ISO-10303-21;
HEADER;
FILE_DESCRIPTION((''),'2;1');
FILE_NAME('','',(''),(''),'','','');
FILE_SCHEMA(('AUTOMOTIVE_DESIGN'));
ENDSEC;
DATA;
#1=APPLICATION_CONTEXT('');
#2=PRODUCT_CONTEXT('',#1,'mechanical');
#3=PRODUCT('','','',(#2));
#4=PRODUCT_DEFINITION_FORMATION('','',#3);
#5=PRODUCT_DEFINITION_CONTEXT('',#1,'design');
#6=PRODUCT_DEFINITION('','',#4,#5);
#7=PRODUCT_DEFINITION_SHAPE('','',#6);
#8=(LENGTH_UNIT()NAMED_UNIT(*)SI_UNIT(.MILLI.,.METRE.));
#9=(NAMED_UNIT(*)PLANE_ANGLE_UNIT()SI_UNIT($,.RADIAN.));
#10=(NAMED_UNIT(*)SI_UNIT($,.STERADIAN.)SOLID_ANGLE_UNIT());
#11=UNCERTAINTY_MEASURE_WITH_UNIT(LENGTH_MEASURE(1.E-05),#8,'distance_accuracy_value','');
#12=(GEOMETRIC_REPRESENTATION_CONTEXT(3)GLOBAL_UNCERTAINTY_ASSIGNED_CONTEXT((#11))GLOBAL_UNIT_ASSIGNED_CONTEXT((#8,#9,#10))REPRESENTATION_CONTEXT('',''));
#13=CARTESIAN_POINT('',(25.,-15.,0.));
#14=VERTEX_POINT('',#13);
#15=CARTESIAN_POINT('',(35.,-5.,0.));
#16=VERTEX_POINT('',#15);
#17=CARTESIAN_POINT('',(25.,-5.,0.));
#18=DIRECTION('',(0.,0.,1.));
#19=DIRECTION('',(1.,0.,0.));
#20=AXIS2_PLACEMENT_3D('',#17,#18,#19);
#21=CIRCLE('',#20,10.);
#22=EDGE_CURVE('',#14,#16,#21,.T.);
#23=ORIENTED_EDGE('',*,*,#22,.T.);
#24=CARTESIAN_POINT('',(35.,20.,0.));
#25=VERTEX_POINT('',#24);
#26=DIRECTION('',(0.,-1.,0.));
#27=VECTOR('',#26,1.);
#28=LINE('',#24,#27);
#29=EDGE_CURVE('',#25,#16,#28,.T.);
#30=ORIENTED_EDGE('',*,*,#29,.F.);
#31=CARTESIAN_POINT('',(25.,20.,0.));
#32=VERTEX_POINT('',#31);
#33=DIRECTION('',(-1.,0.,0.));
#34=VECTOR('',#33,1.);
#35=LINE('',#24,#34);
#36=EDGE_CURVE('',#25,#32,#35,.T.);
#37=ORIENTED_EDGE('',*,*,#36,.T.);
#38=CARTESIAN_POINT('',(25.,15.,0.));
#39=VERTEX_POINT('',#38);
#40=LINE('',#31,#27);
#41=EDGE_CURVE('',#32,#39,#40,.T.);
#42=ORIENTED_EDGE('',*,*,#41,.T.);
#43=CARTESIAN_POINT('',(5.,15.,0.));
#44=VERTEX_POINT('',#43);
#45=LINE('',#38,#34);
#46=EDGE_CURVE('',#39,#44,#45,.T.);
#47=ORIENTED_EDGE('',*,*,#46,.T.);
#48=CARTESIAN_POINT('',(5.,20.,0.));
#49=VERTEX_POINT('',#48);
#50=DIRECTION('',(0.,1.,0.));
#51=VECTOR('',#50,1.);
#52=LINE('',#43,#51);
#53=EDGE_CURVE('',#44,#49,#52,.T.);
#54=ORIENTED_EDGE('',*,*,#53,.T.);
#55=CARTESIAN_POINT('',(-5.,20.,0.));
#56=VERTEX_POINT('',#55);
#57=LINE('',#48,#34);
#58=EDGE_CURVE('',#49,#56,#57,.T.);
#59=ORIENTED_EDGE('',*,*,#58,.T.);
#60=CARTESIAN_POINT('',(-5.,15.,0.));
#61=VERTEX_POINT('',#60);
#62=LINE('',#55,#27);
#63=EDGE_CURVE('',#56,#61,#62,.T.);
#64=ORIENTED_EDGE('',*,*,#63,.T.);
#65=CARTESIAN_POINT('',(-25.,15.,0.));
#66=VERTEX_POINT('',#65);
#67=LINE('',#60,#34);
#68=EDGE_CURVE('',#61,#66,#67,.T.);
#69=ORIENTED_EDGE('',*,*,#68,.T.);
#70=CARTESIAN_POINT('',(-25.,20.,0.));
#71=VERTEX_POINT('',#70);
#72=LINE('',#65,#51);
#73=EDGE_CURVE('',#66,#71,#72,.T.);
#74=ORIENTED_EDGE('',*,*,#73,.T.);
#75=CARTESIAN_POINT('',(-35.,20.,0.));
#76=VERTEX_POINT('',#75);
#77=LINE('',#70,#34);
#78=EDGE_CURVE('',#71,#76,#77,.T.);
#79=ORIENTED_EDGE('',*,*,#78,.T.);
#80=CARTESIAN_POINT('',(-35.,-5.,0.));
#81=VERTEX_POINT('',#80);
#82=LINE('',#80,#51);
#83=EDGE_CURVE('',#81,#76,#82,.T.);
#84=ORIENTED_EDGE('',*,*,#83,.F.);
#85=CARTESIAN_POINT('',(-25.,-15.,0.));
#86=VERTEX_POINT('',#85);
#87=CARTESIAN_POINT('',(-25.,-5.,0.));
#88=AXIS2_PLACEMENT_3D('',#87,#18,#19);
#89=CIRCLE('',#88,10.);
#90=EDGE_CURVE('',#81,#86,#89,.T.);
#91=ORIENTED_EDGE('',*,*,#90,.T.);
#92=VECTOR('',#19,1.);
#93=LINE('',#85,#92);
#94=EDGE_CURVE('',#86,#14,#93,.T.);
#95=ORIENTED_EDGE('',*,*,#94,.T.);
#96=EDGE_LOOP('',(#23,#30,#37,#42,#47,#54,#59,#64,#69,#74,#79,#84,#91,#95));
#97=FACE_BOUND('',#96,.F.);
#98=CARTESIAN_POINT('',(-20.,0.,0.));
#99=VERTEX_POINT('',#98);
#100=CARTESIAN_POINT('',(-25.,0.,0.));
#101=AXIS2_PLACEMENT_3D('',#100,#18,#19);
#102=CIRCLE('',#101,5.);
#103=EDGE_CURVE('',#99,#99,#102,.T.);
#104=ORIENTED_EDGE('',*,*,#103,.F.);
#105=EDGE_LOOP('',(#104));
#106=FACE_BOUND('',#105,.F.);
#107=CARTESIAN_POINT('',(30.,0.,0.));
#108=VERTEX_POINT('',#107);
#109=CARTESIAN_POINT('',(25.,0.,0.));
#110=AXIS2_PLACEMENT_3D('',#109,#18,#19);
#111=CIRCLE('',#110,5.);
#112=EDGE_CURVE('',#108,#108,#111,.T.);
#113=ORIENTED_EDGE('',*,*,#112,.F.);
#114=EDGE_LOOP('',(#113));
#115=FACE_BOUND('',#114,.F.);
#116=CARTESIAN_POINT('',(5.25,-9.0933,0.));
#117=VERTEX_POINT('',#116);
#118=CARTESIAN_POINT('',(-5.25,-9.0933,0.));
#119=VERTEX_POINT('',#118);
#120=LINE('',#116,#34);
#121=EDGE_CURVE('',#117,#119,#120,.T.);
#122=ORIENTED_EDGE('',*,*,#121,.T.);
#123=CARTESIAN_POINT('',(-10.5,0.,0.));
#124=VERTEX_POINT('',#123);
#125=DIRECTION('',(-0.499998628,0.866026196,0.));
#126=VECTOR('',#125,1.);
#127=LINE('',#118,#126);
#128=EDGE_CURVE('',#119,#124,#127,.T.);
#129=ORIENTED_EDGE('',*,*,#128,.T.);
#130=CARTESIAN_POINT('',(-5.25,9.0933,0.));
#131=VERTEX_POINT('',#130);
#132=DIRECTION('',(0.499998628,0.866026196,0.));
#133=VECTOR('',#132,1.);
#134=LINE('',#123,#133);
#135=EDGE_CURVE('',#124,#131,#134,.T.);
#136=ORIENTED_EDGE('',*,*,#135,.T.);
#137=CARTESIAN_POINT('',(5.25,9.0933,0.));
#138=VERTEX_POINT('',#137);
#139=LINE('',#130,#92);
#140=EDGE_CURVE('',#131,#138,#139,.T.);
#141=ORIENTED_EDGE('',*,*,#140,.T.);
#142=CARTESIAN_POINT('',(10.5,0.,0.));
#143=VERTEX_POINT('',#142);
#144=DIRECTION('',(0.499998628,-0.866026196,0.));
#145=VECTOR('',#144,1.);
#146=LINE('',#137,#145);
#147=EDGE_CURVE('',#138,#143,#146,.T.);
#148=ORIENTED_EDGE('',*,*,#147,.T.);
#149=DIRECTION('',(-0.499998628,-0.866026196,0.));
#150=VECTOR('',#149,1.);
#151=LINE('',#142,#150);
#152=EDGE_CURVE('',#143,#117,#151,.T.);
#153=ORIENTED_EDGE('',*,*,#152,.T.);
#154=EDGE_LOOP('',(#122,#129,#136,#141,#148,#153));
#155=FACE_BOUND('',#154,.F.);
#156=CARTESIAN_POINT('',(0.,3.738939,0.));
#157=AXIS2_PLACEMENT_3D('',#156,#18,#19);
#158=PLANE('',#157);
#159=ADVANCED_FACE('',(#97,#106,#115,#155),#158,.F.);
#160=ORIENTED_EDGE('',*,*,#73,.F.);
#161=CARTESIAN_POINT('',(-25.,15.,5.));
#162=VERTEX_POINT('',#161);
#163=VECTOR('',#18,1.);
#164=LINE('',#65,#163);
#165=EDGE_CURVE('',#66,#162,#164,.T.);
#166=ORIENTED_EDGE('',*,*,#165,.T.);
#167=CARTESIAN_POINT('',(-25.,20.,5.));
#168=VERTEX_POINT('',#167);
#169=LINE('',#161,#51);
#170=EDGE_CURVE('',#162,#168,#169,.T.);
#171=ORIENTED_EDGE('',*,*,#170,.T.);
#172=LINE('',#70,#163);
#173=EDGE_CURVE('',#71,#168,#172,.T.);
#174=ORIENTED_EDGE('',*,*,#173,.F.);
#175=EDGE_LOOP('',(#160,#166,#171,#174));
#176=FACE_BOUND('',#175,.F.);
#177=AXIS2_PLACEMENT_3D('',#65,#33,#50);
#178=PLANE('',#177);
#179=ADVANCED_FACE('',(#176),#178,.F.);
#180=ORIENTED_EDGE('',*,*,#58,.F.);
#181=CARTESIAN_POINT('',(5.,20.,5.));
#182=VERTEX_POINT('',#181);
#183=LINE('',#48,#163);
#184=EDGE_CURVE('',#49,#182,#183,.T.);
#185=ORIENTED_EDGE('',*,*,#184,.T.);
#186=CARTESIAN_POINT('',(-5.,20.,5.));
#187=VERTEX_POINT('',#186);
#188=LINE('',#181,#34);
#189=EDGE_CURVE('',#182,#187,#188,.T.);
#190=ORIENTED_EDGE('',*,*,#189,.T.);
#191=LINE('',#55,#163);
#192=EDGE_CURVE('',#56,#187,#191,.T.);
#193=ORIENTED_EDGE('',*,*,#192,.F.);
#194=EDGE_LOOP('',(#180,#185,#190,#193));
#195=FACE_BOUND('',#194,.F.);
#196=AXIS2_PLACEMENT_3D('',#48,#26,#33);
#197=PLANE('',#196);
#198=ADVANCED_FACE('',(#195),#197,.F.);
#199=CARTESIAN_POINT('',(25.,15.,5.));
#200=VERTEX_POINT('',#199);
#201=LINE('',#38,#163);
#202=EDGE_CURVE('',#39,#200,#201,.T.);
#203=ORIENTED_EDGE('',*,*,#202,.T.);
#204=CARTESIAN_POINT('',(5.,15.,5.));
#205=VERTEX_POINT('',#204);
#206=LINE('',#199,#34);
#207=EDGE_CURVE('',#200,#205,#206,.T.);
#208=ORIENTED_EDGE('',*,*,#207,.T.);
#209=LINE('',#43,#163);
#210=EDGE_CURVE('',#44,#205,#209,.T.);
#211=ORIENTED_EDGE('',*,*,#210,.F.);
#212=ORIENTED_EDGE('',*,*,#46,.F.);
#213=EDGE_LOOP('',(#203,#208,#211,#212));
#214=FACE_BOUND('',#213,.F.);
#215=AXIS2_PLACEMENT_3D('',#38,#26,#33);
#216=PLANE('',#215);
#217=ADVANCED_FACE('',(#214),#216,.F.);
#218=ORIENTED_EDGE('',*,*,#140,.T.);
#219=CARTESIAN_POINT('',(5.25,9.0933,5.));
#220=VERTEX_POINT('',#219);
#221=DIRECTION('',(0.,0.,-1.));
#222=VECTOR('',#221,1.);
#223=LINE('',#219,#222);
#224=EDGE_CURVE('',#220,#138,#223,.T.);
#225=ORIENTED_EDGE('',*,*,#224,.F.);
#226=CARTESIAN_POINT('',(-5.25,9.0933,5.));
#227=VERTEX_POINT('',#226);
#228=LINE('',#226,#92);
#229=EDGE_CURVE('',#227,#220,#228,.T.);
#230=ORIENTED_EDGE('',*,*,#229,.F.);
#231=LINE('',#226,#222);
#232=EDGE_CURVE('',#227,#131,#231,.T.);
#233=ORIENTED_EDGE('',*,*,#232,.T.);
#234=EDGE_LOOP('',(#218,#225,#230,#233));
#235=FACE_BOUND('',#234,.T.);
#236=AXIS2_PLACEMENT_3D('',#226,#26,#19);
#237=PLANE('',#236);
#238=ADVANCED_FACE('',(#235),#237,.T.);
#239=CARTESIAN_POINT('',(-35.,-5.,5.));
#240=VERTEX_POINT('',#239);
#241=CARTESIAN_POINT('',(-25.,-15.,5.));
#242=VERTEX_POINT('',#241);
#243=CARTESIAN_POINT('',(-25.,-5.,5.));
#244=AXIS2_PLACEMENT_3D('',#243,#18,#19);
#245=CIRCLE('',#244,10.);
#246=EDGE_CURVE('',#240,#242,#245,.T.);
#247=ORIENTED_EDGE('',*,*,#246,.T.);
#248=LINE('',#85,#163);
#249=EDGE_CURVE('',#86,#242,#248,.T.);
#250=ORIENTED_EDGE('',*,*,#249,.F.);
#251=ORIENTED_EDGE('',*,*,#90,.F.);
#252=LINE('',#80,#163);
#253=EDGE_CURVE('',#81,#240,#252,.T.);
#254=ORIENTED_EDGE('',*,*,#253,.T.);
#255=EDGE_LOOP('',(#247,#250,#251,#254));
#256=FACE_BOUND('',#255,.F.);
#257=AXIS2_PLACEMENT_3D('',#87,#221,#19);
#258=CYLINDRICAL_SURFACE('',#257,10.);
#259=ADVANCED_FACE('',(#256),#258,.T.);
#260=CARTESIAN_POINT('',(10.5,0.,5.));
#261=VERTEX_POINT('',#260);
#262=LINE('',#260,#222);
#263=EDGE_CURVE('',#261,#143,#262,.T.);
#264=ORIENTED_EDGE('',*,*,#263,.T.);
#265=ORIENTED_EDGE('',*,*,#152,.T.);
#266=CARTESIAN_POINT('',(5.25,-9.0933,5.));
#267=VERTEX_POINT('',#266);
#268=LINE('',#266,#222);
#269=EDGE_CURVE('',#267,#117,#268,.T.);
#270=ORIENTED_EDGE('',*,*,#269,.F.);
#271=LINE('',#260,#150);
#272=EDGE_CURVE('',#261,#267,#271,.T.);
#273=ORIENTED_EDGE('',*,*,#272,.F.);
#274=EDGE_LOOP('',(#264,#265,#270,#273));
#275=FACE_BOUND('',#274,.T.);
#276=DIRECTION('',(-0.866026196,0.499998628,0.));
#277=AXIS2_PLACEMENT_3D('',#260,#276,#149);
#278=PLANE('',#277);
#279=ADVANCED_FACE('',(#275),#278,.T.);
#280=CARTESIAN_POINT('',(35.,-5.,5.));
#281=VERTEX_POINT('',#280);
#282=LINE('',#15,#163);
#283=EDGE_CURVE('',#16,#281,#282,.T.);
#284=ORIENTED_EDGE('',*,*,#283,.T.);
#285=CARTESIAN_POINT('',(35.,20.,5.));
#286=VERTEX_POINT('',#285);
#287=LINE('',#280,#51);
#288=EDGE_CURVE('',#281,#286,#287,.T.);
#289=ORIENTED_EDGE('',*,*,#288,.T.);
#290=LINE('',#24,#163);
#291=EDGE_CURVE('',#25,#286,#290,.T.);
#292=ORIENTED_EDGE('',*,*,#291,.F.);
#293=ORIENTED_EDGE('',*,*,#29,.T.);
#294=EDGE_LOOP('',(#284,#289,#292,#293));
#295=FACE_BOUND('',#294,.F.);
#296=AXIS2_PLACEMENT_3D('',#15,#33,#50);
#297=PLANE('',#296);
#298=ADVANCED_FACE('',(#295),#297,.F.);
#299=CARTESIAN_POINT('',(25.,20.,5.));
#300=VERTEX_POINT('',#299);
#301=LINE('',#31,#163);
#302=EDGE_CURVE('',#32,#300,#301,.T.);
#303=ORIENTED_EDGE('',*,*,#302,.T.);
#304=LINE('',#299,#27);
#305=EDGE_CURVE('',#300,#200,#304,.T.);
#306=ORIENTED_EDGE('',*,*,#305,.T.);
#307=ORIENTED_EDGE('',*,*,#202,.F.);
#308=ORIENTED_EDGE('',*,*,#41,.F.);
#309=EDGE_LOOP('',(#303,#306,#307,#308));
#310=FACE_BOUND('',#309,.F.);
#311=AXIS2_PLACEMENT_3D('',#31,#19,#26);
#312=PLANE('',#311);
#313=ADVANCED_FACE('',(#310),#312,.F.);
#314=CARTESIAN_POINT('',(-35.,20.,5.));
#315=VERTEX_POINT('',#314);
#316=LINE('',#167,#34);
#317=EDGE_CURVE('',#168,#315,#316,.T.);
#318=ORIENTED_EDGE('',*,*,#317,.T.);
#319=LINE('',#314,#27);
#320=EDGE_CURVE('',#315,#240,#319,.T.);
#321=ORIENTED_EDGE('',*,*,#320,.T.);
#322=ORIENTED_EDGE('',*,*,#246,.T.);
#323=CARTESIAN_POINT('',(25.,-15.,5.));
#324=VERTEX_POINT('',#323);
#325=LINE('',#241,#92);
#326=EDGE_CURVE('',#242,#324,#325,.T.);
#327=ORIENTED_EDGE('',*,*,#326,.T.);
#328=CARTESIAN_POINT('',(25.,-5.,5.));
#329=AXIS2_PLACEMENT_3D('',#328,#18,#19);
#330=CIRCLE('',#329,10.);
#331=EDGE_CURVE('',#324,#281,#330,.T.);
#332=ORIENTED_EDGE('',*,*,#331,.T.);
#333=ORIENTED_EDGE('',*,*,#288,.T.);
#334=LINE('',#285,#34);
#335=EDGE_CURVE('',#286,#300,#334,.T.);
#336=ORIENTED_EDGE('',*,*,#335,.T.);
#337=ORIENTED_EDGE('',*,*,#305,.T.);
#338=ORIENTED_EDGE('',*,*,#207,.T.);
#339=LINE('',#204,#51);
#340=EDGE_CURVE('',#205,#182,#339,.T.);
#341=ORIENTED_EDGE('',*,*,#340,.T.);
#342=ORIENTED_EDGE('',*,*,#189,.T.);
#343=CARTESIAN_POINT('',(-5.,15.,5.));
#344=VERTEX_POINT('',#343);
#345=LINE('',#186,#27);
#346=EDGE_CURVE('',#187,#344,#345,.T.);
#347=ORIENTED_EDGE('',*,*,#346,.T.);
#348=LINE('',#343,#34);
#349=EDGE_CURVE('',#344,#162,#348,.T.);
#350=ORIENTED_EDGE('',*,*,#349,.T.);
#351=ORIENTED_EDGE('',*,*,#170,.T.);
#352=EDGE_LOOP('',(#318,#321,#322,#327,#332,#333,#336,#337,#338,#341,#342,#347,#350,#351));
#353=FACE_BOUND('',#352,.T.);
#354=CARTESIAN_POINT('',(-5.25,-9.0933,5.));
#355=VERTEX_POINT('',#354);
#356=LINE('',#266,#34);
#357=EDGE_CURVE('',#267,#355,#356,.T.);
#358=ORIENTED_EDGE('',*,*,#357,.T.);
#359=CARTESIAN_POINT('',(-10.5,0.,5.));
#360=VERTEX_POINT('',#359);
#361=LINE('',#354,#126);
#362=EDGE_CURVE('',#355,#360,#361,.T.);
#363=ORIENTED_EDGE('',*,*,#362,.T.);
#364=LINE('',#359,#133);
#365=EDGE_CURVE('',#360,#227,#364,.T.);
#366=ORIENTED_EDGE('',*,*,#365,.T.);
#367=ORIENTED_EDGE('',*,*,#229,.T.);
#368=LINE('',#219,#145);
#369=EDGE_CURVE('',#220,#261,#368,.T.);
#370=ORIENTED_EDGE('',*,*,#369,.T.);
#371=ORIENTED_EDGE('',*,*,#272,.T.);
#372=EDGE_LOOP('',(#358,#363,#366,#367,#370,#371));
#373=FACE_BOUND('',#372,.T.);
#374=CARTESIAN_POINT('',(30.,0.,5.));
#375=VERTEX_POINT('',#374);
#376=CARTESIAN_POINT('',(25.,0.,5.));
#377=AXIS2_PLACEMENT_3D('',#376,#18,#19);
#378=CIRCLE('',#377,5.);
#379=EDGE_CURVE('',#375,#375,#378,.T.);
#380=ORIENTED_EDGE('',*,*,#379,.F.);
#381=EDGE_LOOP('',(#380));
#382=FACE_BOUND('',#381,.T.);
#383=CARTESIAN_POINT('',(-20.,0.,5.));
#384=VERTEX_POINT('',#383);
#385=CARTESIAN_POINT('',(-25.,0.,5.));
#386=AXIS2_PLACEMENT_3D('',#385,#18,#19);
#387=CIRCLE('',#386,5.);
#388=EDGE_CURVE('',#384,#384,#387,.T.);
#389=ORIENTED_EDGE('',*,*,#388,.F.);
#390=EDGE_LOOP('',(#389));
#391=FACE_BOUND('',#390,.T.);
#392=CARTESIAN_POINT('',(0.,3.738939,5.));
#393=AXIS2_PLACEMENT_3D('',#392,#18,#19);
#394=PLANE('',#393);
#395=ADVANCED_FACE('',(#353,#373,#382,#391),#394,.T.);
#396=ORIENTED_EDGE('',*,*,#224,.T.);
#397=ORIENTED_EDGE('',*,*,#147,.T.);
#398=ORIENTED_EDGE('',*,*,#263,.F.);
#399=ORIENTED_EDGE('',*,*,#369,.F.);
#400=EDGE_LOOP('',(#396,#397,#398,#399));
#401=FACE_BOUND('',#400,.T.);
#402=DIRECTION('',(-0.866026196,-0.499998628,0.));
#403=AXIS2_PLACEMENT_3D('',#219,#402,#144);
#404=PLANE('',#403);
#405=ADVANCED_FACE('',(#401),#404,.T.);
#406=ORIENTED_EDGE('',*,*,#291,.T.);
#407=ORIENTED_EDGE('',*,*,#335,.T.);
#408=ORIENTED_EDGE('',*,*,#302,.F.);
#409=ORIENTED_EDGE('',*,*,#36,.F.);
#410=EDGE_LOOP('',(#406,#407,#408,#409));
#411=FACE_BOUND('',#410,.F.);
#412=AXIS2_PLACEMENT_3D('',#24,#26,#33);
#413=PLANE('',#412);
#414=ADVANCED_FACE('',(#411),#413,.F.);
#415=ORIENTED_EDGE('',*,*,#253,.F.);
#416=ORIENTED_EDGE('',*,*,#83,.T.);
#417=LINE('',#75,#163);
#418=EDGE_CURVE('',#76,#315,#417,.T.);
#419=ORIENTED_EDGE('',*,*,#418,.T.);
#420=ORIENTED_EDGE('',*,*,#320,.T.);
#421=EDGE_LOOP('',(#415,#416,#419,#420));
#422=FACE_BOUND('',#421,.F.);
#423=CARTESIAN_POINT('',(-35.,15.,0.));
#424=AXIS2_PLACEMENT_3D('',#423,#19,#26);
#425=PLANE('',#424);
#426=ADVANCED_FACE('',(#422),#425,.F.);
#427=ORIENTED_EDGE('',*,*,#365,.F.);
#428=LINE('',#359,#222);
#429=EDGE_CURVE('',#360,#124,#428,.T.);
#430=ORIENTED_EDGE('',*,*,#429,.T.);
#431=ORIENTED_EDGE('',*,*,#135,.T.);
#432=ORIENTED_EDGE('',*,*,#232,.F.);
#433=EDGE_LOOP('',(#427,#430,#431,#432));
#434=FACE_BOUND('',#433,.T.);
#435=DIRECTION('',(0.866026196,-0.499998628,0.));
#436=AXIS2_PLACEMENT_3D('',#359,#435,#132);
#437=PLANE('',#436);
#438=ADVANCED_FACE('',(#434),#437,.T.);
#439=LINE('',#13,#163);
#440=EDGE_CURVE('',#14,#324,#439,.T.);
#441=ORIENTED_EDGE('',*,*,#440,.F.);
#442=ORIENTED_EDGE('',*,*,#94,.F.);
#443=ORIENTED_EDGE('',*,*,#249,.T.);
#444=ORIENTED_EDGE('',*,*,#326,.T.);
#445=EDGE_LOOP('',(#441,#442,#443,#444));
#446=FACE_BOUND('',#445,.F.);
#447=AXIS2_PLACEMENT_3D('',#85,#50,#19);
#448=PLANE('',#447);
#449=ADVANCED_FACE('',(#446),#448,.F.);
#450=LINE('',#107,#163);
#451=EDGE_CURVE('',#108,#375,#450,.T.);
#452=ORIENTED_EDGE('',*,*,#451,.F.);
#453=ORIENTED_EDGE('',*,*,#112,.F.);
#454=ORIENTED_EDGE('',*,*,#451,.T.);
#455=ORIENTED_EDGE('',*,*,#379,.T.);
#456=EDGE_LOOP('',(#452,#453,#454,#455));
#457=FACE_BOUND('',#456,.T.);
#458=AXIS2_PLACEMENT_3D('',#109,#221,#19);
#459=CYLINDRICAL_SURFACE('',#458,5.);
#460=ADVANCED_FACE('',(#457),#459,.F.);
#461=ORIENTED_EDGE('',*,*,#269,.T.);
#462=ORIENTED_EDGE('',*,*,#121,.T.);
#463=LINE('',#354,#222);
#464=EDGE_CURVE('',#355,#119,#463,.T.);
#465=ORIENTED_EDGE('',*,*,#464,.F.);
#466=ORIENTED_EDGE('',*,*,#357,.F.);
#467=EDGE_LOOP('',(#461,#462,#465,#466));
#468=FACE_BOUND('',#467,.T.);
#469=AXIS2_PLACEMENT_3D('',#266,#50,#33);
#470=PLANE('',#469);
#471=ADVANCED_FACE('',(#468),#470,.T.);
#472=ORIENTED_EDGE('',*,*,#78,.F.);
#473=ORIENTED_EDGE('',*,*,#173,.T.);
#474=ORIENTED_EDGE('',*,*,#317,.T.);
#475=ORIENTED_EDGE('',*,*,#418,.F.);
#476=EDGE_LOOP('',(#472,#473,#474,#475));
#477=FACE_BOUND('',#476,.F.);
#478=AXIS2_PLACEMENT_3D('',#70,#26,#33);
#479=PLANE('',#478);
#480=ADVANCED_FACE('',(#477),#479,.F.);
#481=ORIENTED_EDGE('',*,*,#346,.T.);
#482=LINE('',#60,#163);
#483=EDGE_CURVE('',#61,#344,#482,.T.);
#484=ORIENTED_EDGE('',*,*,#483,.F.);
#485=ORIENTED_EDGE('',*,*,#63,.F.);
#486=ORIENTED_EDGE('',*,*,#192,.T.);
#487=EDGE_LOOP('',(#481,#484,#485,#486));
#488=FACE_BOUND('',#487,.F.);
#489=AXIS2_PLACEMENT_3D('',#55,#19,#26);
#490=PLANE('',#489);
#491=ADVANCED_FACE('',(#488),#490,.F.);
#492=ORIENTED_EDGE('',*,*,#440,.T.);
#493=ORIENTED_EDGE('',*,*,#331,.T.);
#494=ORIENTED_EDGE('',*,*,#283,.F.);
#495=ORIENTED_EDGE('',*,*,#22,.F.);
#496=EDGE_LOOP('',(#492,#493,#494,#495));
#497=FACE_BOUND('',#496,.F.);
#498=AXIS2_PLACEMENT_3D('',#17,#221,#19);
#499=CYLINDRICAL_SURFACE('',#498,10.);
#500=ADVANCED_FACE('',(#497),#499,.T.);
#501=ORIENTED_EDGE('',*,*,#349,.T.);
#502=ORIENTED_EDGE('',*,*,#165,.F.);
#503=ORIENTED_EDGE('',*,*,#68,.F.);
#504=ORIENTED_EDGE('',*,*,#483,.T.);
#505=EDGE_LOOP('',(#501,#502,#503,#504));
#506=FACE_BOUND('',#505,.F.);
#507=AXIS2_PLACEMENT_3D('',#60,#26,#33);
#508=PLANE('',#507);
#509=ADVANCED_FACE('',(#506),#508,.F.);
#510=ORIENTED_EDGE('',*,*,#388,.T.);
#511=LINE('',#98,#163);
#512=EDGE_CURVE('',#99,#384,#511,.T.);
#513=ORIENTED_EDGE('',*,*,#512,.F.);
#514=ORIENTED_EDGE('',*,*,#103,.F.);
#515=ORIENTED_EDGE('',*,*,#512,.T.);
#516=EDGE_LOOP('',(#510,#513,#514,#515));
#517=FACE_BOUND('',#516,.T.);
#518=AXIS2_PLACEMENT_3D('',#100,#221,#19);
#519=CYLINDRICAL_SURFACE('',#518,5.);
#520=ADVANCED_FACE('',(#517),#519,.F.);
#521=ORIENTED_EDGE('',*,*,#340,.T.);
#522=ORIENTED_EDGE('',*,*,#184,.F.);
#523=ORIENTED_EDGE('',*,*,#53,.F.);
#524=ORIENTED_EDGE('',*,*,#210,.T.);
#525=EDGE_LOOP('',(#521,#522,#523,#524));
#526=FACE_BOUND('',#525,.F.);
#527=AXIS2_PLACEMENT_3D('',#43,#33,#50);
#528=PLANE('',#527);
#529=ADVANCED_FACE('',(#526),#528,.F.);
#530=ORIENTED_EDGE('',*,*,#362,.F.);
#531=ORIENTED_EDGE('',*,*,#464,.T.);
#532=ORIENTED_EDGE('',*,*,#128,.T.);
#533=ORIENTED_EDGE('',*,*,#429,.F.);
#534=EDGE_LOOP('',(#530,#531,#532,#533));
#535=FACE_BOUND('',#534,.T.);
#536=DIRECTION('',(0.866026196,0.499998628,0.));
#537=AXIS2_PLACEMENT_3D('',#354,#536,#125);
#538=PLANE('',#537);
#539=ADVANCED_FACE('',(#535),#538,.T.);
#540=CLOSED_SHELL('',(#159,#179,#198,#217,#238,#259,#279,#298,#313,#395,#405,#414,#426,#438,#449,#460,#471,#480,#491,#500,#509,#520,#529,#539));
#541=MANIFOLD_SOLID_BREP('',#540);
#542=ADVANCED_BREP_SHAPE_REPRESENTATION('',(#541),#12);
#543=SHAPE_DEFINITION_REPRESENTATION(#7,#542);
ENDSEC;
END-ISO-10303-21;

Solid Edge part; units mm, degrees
sketch "Sketch1" plane through (0, 0, 0) normal (0, 0, 1) x (1, 0, 0)
  line L0 (-25, -15) -> (25, -15)
  arc A0 (25, -15) -> (35, -5) centre (25, -5) ccw
  line L1 (35, -5) -> (35, 15)
  line L2 (35, 15) -> (35, 20)
  line L3 (35, 20) -> (25, 20)
  line L4 (25, 20) -> (25, 15)
  line L5 (25, 15) -> (5, 15)
  line L6 (5, 15) -> (5, 20)
  line L7 (5, 20) -> (-5, 20)
  line L8 (-5, 20) -> (-5, 15)
  line L9 (-5, 15) -> (-25, 15)
  line L10 (-25, 15) -> (-25, 20)
  line L11 (-25, 20) -> (-35, 20)
  line L12 (-35, 20) -> (-35, 15)
  line L13 (-35, 15) -> (-35, -5)
  arc A1 (-35, -5) -> (-25, -15) centre (-25, -5) ccw
  circle A2 centre (-25, 0) radius 5
  circle A3 centre (0, 0) radius 7.5
  circle A4 centre (25, 0) radius 5
extrude "Protrusion1" add sketch "Sketch1" along normal blind 5
sketch "Sketch2" plane through (0, 2.5, 5) normal (0, 0, 1) x (0, -1, 0)
  line L0 (2.5, 10.5) -> (11.5933, 5.25)
  line L1 (11.5933, 5.25) -> (11.5933, -5.25)
  line L2 (11.5933, -5.25) -> (2.5, -10.5)
  line L3 (2.5, -10.5) -> (-6.5933, -5.25)
  line L4 (-6.5933, -5.25) -> (-6.5933, 5.25)
  line L5 (-6.5933, 5.25) -> (2.5, 10.5)
  circle A0 centre (2.5, 0) radius 7.5
extrude "Cutout1" cut sketch "Sketch2" against normal up to vertex (5 mm away)
